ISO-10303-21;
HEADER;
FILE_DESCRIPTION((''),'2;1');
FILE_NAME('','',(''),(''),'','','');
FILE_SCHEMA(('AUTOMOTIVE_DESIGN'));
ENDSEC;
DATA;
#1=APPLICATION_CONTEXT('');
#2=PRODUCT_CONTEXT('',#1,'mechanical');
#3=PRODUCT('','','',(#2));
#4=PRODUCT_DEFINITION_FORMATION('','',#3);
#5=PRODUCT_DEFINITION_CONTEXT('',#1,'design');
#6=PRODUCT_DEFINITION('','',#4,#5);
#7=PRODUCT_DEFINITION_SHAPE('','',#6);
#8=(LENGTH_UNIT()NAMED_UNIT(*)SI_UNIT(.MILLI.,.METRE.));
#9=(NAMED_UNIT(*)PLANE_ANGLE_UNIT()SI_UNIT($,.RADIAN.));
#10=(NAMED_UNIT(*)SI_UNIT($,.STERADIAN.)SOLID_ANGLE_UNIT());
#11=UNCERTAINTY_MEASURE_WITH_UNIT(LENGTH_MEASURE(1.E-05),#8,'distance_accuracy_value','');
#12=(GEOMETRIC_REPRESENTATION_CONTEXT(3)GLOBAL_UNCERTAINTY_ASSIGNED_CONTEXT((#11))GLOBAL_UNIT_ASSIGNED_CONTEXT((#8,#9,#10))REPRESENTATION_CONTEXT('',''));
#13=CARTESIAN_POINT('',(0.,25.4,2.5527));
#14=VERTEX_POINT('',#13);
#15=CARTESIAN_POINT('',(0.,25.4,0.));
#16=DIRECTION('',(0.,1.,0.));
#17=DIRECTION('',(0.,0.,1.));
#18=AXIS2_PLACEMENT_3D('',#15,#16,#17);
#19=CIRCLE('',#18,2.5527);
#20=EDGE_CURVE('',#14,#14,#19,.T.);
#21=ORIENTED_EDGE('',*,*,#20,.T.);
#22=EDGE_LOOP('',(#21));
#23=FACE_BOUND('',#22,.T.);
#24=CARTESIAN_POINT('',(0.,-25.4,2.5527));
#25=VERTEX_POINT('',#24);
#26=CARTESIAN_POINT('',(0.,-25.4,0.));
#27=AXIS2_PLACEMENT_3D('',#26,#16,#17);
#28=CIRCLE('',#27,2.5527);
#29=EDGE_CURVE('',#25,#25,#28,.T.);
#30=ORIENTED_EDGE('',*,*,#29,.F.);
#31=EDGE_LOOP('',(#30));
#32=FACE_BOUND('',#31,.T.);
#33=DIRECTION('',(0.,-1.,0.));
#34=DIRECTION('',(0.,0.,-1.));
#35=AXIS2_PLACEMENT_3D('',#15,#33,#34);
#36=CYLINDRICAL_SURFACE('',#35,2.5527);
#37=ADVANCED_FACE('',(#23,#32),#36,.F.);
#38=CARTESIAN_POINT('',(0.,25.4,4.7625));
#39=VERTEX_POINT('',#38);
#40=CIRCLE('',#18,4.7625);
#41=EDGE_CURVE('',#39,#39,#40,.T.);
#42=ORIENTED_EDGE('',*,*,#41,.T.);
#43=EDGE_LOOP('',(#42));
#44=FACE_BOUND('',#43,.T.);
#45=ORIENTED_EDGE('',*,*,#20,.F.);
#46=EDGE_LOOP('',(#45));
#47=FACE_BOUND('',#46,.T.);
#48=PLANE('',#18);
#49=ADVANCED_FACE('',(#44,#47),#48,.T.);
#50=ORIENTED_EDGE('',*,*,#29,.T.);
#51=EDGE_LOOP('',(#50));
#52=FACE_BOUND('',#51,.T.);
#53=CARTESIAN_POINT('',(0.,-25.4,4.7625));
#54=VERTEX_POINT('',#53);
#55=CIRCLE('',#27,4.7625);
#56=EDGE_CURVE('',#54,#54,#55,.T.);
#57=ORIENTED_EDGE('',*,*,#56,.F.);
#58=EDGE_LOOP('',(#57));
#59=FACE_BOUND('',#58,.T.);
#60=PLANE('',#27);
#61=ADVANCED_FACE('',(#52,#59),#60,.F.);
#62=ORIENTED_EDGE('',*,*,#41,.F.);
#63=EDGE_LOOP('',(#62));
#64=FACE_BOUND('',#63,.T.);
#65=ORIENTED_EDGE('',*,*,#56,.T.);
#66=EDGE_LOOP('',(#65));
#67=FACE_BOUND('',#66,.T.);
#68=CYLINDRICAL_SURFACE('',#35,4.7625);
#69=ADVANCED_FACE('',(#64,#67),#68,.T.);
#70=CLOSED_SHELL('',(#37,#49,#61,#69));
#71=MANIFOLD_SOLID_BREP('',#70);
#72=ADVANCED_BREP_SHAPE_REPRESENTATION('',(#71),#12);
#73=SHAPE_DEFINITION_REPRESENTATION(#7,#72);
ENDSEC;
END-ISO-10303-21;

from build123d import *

# Parameters (mm, degrees)
SKETCH1_R           = 4.7625
SKETCH1_R_2         = 2.5527
BOSS_EXTRUDE1_DEPTH = 25.4


with BuildPart() as part:
    # Sketch1 → Boss-Extrude1 (new body, symmetric)
    with BuildSketch(Plane(origin=(0, 0, 0), x_dir=(1, 0, 0), z_dir=(0, 1, 0))):
        Circle(SKETCH1_R)
        Circle(SKETCH1_R_2, mode=Mode.SUBTRACT)
    extrude(amount=BOSS_EXTRUDE1_DEPTH, both=True)


solid = part.part
